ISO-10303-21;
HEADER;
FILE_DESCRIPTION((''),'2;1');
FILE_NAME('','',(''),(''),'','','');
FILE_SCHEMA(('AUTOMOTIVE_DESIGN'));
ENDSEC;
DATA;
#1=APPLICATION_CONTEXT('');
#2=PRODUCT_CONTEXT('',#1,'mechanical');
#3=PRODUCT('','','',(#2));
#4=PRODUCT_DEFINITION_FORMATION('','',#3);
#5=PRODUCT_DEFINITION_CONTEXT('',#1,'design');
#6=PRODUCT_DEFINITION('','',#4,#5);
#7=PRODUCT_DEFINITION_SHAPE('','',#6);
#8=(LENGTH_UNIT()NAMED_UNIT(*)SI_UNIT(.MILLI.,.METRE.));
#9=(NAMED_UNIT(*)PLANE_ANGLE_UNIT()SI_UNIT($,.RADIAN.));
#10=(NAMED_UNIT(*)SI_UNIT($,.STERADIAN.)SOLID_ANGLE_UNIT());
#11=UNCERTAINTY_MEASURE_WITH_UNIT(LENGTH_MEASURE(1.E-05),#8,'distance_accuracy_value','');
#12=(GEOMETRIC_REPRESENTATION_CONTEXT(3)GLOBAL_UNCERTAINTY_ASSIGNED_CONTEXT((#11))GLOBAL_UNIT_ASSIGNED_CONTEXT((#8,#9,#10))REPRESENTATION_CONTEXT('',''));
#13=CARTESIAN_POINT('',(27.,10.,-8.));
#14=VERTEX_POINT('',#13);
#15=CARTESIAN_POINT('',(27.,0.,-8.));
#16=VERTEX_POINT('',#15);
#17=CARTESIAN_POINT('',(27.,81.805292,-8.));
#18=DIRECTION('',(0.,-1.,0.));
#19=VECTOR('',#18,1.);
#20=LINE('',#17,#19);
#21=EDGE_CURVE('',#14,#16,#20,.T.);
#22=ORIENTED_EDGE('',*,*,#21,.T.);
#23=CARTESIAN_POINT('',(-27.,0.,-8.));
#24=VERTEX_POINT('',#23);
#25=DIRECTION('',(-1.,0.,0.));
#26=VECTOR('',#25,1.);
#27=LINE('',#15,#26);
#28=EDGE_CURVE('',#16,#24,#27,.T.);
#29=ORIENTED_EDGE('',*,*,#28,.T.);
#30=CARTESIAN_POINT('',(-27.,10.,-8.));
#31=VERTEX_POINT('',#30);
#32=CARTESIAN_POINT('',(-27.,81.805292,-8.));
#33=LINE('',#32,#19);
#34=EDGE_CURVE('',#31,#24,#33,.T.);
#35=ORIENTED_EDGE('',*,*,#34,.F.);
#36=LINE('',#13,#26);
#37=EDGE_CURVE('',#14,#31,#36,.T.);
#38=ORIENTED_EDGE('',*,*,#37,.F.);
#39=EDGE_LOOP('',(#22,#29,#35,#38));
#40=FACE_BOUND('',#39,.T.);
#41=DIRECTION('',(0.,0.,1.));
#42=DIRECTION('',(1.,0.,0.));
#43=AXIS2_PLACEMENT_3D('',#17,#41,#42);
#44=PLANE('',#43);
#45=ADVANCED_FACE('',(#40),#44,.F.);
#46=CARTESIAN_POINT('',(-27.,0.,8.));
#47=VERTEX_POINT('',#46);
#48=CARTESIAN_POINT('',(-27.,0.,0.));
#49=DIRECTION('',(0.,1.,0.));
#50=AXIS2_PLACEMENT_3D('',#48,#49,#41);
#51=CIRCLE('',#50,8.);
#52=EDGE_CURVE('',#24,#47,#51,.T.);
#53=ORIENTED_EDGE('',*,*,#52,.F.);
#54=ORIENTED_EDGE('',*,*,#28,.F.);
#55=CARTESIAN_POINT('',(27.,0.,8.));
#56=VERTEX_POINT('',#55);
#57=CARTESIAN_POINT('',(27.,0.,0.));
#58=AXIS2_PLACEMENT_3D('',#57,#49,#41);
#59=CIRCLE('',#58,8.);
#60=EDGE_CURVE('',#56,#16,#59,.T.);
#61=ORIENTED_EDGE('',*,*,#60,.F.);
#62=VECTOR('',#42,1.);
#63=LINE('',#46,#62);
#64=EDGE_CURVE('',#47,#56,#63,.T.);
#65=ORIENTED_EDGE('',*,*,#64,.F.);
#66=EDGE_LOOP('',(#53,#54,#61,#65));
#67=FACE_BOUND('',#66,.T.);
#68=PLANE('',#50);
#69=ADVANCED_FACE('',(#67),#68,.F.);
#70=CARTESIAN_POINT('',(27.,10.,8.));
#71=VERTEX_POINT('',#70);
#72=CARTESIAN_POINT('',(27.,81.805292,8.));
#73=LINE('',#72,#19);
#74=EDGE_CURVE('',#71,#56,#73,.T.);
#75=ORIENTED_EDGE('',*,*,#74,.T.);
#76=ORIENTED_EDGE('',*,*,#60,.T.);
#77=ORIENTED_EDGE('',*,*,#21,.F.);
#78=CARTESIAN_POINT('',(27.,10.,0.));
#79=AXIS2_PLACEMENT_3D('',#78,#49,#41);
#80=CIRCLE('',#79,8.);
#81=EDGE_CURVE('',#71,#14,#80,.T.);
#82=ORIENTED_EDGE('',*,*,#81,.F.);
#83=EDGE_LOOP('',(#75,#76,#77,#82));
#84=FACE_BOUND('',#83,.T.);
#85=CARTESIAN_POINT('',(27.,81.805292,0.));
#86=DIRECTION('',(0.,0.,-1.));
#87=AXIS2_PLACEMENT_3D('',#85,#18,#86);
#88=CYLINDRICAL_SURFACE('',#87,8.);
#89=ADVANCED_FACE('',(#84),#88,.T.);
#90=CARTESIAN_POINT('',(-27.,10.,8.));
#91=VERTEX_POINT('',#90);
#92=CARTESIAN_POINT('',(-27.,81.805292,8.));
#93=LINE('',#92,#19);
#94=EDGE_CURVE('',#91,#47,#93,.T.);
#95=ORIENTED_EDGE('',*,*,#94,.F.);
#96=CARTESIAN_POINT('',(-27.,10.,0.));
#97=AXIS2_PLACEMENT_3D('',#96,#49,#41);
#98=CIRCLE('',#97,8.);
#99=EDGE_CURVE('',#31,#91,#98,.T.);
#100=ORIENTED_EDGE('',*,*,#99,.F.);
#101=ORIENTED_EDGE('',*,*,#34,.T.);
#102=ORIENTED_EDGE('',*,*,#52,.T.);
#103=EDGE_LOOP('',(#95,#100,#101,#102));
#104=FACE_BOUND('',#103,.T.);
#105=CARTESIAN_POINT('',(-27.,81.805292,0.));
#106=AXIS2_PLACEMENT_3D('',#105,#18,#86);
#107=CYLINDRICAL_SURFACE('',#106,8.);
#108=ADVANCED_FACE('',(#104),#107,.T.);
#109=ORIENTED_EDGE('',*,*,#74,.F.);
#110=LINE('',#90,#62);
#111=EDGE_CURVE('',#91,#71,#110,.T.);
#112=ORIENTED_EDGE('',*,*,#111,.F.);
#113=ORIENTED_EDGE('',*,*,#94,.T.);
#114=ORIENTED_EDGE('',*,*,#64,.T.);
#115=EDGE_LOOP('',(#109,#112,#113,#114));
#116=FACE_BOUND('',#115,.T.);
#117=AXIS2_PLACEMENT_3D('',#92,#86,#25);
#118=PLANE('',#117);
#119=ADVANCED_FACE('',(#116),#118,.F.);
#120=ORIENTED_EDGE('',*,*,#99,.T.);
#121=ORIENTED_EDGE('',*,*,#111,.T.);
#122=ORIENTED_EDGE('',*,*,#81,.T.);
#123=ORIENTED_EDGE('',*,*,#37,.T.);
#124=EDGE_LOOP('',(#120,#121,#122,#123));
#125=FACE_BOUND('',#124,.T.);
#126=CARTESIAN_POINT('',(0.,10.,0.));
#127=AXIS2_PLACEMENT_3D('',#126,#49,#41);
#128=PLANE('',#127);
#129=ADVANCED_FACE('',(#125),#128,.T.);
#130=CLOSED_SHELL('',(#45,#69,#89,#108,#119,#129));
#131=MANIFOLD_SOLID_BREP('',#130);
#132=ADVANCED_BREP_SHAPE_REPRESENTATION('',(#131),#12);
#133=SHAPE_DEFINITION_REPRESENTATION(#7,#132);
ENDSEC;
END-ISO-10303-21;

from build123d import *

# Parameters (mm, degrees)
BODY_DEPTH = 10


with BuildPart() as part:
    # Sketch4 → body (new body)
    with BuildSketch(Plane(origin=(0, 0, 0), x_dir=(1, 0, 0), z_dir=(0, 1, 0))):
        with BuildLine():
            Line((27, 8), (-27, 8))
            ThreePointArc((-27, 8), (-35, 0), (-27, -8))
            Line((-27, -8), (27, -8))
            ThreePointArc((27, -8), (35, 0), (27, 8))
        make_face()
    extrude(amount=BODY_DEPTH)


solid = part.part
